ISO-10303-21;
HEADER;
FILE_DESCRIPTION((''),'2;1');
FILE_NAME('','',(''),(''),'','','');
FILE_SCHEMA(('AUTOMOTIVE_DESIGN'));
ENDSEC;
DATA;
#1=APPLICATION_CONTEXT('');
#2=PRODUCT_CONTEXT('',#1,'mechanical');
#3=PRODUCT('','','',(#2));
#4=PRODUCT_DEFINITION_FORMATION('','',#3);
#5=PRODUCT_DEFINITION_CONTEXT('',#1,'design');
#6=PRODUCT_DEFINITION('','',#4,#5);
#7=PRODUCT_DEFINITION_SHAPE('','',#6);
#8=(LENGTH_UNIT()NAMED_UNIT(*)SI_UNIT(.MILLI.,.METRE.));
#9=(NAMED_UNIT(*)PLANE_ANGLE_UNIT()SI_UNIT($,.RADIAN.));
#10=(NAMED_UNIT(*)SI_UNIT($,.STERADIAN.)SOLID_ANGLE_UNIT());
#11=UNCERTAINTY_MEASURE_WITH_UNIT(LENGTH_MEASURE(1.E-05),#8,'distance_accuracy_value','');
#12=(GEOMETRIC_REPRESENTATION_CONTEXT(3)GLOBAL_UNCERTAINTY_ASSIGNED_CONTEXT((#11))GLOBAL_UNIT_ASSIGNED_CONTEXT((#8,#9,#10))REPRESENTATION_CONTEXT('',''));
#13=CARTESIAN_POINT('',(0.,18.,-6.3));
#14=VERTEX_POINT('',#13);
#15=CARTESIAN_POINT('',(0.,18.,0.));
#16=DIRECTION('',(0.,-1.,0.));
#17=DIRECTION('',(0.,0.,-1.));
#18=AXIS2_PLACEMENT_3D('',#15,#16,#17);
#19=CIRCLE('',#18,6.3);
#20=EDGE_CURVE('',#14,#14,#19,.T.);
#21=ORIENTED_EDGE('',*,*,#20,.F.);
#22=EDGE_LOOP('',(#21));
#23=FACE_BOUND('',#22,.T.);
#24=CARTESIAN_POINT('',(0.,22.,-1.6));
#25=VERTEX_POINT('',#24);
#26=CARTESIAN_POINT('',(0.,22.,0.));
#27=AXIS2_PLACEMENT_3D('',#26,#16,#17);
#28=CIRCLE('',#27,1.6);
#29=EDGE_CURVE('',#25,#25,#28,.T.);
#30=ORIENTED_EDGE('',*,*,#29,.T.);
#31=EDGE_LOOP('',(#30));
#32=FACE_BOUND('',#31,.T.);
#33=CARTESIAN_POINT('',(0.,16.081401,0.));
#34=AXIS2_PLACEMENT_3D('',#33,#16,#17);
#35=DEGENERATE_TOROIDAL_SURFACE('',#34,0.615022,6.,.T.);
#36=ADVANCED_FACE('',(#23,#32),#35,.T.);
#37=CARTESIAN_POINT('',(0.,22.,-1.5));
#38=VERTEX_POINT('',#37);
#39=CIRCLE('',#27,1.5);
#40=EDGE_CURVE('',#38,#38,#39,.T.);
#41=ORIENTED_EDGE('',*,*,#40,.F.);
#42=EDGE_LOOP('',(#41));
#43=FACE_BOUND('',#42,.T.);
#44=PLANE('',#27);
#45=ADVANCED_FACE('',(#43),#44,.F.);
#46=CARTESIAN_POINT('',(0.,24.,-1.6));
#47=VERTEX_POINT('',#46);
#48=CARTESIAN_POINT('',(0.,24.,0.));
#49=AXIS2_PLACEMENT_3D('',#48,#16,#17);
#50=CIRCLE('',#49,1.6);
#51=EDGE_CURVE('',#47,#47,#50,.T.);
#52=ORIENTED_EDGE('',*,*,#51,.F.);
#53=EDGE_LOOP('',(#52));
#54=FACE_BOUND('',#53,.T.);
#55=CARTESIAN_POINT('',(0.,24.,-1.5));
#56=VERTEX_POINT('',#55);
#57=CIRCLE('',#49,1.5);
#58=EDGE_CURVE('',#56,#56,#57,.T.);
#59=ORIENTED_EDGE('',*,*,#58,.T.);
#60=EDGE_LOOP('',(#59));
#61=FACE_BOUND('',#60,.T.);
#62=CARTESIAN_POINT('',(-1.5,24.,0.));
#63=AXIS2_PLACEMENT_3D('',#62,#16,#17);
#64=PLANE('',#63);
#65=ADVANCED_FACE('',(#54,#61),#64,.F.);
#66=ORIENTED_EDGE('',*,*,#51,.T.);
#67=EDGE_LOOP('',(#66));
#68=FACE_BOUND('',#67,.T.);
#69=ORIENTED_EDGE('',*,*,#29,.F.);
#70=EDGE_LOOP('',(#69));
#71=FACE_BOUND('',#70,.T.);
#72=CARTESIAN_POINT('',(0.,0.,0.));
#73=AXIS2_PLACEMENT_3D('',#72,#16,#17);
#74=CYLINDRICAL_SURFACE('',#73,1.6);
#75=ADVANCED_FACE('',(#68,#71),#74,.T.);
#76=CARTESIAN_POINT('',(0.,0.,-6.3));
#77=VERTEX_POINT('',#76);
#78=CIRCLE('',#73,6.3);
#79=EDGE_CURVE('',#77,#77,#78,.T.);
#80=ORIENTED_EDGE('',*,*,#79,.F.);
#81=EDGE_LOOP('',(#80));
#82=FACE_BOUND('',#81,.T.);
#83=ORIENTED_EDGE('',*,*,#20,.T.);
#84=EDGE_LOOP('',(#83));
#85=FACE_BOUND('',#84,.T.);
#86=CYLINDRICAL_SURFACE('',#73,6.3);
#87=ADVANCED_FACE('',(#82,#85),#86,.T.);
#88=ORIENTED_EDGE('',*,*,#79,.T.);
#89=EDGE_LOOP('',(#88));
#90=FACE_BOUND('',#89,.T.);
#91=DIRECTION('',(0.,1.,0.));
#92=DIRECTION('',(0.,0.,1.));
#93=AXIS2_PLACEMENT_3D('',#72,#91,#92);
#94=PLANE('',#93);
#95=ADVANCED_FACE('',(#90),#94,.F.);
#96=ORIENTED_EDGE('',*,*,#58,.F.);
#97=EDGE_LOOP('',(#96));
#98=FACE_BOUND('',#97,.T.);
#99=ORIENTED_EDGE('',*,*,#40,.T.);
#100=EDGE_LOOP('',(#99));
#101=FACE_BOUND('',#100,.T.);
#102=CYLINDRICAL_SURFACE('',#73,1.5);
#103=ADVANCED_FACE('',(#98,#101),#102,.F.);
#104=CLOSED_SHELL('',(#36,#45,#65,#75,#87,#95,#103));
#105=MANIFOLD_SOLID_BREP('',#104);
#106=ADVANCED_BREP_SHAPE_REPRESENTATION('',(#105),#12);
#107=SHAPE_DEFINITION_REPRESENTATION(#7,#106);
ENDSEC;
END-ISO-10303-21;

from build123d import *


with BuildPart() as part:
    # Sketch2 → Revolve2 (revolve)
    with BuildSketch(Plane.XY, mode=Mode.PRIVATE) as revolve2_sk:
        with BuildLine():
            Line((0, 0), (0, 22))
            Line((0, 22), (-1.5, 22))
            Line((-1.5, 22), (-1.5, 24))
            Line((-1.5, 24), (-1.6, 24))
            Line((-1.6, 24), (-1.6, 22))
            ThreePointArc((-1.6, 22), (-4.503733623, 20.650637008), (-6.3, 18))
            Line((-6.3, 18), (-6.3, 0))
            Line((-6.3, 0), (0, 0))
        make_face()
    revolve(revolve2_sk.sketch.rotate(Axis((0, 0, 0), (0, 1, 0)), 270), axis=Axis((0, 0, 0), (0, 1, 0)))


solid = part.part
